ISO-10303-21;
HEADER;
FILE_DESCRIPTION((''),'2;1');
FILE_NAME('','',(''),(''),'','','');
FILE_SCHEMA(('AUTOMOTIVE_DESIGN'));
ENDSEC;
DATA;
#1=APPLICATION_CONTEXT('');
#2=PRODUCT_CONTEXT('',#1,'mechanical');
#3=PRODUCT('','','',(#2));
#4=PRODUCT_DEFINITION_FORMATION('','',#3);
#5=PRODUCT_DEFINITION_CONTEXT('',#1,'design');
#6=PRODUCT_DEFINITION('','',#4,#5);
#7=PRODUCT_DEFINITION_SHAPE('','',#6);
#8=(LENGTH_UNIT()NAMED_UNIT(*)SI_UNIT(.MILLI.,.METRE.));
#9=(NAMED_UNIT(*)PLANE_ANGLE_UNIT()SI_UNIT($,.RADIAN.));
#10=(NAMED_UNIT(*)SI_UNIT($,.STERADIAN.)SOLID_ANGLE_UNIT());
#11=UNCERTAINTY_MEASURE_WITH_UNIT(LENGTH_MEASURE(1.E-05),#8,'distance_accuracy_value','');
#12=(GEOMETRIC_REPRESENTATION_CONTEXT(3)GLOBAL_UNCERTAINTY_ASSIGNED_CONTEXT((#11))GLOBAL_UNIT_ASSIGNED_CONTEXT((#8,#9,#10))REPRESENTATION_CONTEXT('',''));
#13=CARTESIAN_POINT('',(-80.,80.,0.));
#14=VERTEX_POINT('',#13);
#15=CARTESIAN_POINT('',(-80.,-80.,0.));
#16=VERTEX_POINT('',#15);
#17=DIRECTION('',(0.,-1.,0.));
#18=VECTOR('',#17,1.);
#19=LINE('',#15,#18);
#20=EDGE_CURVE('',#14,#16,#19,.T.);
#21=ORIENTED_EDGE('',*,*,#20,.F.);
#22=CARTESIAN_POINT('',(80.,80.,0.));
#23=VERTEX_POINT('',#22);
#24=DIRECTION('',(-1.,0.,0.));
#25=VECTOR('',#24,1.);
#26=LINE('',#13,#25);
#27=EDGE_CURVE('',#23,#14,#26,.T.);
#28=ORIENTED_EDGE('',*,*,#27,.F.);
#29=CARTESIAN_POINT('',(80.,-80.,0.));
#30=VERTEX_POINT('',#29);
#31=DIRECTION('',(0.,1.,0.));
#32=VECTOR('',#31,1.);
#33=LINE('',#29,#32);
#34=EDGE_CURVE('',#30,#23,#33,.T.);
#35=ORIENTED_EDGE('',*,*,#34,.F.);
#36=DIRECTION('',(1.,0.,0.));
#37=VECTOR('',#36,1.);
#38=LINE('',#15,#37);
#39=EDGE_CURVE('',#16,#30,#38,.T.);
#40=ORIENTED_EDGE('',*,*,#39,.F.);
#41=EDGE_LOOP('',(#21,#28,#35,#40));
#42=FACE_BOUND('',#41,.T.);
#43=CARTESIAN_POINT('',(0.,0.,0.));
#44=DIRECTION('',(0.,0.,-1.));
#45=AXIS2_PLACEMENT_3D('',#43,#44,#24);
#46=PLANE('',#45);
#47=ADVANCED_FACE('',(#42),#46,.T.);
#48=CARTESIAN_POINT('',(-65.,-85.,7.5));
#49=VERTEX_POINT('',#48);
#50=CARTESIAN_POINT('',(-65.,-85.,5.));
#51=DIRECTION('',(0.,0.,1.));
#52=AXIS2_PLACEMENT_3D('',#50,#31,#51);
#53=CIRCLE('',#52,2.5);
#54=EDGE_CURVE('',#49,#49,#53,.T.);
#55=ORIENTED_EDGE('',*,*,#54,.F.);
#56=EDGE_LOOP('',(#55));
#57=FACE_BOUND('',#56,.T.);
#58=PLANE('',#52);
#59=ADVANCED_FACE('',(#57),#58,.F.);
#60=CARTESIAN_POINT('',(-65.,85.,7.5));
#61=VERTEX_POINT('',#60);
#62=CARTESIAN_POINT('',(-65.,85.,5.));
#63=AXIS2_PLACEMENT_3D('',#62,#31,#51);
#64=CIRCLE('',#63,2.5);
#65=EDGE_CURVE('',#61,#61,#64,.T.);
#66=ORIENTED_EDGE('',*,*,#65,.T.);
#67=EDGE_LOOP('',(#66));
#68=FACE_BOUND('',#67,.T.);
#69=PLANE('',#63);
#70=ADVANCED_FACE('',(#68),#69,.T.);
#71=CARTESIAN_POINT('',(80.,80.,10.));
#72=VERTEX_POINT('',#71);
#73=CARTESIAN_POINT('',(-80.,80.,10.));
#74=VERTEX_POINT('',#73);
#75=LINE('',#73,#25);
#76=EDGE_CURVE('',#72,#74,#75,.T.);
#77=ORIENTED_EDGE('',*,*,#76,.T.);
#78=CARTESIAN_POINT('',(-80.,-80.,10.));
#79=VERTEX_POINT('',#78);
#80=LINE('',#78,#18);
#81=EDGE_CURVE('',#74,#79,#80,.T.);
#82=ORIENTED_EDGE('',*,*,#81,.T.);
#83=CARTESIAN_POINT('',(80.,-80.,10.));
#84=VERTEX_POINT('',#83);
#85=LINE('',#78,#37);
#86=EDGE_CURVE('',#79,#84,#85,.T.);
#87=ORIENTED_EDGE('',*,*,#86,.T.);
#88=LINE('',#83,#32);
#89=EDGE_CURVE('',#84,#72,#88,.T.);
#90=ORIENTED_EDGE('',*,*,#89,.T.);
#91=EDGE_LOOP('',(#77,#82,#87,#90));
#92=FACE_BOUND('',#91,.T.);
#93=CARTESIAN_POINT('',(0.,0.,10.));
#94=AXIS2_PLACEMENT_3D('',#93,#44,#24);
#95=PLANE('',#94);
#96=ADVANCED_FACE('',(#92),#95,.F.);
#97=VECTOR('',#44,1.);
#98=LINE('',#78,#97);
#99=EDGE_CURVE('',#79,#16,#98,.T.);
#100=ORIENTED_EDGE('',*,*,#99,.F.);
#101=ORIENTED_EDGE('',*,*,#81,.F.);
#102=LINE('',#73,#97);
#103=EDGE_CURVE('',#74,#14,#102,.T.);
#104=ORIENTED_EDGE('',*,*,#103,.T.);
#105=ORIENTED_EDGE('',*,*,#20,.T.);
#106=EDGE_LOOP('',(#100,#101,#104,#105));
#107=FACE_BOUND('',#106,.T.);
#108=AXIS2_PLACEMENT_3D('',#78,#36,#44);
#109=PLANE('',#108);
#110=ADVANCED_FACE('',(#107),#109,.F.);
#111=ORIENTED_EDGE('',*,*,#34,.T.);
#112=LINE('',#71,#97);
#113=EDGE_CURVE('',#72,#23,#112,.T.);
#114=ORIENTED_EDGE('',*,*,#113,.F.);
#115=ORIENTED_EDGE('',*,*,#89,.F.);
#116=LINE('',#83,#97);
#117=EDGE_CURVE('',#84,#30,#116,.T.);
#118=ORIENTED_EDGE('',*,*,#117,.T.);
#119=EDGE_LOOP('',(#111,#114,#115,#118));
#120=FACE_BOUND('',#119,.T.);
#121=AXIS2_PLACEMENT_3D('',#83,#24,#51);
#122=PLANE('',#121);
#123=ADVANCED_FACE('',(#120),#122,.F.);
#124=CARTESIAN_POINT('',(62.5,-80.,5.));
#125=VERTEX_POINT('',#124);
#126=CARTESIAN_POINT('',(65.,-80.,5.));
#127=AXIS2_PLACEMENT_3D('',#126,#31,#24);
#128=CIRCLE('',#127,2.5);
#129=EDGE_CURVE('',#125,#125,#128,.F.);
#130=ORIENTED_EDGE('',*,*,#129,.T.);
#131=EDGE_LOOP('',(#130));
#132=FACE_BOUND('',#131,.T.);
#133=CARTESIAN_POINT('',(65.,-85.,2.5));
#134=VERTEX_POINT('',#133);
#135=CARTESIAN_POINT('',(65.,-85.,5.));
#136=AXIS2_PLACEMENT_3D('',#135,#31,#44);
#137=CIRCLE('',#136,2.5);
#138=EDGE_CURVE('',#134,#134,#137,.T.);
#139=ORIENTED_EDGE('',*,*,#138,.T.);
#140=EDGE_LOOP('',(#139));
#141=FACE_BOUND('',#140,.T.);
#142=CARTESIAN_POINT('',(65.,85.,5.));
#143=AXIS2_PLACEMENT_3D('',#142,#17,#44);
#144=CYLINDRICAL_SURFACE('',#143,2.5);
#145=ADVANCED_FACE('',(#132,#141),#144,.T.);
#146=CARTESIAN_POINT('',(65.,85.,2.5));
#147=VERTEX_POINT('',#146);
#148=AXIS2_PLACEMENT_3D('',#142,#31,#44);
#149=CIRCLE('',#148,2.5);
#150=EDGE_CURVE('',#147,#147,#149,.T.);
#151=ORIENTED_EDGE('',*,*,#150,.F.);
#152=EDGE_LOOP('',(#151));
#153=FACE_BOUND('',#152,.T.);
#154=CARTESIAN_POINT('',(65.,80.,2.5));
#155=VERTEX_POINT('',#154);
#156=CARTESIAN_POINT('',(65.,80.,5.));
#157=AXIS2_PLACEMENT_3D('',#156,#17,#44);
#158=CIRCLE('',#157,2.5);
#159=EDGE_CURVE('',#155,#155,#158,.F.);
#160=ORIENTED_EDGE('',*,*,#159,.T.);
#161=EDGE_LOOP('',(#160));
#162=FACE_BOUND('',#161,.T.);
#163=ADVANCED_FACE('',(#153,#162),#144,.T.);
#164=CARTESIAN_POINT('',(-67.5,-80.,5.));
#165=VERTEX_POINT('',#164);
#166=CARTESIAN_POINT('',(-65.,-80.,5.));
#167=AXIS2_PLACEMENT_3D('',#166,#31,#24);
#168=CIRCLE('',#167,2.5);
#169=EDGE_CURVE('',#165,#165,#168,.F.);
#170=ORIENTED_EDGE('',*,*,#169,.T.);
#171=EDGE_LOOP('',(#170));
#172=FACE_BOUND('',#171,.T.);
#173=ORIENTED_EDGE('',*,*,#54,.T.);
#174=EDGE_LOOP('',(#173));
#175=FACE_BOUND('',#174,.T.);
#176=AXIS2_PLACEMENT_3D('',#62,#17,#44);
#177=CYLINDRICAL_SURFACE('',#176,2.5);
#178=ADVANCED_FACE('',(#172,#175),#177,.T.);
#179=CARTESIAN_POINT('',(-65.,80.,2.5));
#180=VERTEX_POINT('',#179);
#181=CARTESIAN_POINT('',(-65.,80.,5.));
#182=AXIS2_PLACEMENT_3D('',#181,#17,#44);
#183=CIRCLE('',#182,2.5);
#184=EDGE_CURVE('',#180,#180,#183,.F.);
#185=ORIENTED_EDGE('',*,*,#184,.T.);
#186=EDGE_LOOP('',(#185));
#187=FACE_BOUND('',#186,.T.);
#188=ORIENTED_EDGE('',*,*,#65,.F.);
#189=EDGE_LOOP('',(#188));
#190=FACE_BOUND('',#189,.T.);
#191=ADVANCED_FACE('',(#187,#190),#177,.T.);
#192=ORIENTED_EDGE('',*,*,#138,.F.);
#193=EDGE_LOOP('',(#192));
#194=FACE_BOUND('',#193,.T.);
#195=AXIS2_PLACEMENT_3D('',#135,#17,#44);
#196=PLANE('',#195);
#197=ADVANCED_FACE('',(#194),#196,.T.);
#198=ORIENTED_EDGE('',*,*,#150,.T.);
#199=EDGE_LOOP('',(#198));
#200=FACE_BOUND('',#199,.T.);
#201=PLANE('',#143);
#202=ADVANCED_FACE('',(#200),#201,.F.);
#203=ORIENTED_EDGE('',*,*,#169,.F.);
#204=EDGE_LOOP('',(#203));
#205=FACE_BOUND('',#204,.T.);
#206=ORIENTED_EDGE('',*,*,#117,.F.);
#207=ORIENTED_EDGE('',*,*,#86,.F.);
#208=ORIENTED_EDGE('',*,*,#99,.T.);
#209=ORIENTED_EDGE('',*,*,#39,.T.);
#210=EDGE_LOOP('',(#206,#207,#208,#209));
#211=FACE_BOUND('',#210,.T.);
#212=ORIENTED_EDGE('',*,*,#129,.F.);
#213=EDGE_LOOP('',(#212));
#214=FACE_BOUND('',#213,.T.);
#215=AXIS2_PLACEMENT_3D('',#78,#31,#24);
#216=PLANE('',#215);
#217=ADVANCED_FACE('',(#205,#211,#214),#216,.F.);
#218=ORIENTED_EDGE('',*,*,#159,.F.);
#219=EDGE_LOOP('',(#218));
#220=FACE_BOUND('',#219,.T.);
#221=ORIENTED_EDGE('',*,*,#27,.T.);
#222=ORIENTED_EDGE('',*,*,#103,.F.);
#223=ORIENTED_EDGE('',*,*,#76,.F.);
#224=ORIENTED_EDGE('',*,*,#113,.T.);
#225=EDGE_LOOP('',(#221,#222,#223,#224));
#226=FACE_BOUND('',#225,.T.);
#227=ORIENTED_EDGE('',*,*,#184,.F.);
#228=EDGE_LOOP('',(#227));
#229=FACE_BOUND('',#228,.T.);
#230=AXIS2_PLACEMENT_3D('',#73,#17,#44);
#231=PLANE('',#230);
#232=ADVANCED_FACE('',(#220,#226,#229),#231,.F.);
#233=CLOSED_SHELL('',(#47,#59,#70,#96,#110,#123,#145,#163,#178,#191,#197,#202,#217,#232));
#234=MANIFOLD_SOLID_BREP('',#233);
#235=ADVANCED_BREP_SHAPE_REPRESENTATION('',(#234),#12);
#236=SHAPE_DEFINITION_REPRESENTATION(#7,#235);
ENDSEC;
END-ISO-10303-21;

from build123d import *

# Parameters (mm, degrees)
SKETCH_2_W      = 160
SKETCH_2_H      = 160
EXTRUDE_1_DEPTH = 10
SKETCH_4_R      = 2.5
EXTRUDE_2_DEPTH = 85


with BuildPart() as part:
    # 草图2 → 凸台-拉伸1 (new body)
    with BuildSketch(Plane.XY):
        Rectangle(SKETCH_2_W, SKETCH_2_H)
    extrude(amount=EXTRUDE_1_DEPTH)

    # 草图4 → 凸台-拉伸2 (add, symmetric)
    with BuildSketch(Plane(origin=(0, 0, 0), x_dir=(1, 0, 0), z_dir=(0, 1, 0))):
        with Locations(Location((-65, -5, 0), (0, 0, 180))):
            Circle(SKETCH_4_R)
        with Locations(Location((65, -5, 0), (0, 0, 90))):
            Circle(SKETCH_4_R)
    extrude(amount=EXTRUDE_2_DEPTH, both=True)


solid = part.part
